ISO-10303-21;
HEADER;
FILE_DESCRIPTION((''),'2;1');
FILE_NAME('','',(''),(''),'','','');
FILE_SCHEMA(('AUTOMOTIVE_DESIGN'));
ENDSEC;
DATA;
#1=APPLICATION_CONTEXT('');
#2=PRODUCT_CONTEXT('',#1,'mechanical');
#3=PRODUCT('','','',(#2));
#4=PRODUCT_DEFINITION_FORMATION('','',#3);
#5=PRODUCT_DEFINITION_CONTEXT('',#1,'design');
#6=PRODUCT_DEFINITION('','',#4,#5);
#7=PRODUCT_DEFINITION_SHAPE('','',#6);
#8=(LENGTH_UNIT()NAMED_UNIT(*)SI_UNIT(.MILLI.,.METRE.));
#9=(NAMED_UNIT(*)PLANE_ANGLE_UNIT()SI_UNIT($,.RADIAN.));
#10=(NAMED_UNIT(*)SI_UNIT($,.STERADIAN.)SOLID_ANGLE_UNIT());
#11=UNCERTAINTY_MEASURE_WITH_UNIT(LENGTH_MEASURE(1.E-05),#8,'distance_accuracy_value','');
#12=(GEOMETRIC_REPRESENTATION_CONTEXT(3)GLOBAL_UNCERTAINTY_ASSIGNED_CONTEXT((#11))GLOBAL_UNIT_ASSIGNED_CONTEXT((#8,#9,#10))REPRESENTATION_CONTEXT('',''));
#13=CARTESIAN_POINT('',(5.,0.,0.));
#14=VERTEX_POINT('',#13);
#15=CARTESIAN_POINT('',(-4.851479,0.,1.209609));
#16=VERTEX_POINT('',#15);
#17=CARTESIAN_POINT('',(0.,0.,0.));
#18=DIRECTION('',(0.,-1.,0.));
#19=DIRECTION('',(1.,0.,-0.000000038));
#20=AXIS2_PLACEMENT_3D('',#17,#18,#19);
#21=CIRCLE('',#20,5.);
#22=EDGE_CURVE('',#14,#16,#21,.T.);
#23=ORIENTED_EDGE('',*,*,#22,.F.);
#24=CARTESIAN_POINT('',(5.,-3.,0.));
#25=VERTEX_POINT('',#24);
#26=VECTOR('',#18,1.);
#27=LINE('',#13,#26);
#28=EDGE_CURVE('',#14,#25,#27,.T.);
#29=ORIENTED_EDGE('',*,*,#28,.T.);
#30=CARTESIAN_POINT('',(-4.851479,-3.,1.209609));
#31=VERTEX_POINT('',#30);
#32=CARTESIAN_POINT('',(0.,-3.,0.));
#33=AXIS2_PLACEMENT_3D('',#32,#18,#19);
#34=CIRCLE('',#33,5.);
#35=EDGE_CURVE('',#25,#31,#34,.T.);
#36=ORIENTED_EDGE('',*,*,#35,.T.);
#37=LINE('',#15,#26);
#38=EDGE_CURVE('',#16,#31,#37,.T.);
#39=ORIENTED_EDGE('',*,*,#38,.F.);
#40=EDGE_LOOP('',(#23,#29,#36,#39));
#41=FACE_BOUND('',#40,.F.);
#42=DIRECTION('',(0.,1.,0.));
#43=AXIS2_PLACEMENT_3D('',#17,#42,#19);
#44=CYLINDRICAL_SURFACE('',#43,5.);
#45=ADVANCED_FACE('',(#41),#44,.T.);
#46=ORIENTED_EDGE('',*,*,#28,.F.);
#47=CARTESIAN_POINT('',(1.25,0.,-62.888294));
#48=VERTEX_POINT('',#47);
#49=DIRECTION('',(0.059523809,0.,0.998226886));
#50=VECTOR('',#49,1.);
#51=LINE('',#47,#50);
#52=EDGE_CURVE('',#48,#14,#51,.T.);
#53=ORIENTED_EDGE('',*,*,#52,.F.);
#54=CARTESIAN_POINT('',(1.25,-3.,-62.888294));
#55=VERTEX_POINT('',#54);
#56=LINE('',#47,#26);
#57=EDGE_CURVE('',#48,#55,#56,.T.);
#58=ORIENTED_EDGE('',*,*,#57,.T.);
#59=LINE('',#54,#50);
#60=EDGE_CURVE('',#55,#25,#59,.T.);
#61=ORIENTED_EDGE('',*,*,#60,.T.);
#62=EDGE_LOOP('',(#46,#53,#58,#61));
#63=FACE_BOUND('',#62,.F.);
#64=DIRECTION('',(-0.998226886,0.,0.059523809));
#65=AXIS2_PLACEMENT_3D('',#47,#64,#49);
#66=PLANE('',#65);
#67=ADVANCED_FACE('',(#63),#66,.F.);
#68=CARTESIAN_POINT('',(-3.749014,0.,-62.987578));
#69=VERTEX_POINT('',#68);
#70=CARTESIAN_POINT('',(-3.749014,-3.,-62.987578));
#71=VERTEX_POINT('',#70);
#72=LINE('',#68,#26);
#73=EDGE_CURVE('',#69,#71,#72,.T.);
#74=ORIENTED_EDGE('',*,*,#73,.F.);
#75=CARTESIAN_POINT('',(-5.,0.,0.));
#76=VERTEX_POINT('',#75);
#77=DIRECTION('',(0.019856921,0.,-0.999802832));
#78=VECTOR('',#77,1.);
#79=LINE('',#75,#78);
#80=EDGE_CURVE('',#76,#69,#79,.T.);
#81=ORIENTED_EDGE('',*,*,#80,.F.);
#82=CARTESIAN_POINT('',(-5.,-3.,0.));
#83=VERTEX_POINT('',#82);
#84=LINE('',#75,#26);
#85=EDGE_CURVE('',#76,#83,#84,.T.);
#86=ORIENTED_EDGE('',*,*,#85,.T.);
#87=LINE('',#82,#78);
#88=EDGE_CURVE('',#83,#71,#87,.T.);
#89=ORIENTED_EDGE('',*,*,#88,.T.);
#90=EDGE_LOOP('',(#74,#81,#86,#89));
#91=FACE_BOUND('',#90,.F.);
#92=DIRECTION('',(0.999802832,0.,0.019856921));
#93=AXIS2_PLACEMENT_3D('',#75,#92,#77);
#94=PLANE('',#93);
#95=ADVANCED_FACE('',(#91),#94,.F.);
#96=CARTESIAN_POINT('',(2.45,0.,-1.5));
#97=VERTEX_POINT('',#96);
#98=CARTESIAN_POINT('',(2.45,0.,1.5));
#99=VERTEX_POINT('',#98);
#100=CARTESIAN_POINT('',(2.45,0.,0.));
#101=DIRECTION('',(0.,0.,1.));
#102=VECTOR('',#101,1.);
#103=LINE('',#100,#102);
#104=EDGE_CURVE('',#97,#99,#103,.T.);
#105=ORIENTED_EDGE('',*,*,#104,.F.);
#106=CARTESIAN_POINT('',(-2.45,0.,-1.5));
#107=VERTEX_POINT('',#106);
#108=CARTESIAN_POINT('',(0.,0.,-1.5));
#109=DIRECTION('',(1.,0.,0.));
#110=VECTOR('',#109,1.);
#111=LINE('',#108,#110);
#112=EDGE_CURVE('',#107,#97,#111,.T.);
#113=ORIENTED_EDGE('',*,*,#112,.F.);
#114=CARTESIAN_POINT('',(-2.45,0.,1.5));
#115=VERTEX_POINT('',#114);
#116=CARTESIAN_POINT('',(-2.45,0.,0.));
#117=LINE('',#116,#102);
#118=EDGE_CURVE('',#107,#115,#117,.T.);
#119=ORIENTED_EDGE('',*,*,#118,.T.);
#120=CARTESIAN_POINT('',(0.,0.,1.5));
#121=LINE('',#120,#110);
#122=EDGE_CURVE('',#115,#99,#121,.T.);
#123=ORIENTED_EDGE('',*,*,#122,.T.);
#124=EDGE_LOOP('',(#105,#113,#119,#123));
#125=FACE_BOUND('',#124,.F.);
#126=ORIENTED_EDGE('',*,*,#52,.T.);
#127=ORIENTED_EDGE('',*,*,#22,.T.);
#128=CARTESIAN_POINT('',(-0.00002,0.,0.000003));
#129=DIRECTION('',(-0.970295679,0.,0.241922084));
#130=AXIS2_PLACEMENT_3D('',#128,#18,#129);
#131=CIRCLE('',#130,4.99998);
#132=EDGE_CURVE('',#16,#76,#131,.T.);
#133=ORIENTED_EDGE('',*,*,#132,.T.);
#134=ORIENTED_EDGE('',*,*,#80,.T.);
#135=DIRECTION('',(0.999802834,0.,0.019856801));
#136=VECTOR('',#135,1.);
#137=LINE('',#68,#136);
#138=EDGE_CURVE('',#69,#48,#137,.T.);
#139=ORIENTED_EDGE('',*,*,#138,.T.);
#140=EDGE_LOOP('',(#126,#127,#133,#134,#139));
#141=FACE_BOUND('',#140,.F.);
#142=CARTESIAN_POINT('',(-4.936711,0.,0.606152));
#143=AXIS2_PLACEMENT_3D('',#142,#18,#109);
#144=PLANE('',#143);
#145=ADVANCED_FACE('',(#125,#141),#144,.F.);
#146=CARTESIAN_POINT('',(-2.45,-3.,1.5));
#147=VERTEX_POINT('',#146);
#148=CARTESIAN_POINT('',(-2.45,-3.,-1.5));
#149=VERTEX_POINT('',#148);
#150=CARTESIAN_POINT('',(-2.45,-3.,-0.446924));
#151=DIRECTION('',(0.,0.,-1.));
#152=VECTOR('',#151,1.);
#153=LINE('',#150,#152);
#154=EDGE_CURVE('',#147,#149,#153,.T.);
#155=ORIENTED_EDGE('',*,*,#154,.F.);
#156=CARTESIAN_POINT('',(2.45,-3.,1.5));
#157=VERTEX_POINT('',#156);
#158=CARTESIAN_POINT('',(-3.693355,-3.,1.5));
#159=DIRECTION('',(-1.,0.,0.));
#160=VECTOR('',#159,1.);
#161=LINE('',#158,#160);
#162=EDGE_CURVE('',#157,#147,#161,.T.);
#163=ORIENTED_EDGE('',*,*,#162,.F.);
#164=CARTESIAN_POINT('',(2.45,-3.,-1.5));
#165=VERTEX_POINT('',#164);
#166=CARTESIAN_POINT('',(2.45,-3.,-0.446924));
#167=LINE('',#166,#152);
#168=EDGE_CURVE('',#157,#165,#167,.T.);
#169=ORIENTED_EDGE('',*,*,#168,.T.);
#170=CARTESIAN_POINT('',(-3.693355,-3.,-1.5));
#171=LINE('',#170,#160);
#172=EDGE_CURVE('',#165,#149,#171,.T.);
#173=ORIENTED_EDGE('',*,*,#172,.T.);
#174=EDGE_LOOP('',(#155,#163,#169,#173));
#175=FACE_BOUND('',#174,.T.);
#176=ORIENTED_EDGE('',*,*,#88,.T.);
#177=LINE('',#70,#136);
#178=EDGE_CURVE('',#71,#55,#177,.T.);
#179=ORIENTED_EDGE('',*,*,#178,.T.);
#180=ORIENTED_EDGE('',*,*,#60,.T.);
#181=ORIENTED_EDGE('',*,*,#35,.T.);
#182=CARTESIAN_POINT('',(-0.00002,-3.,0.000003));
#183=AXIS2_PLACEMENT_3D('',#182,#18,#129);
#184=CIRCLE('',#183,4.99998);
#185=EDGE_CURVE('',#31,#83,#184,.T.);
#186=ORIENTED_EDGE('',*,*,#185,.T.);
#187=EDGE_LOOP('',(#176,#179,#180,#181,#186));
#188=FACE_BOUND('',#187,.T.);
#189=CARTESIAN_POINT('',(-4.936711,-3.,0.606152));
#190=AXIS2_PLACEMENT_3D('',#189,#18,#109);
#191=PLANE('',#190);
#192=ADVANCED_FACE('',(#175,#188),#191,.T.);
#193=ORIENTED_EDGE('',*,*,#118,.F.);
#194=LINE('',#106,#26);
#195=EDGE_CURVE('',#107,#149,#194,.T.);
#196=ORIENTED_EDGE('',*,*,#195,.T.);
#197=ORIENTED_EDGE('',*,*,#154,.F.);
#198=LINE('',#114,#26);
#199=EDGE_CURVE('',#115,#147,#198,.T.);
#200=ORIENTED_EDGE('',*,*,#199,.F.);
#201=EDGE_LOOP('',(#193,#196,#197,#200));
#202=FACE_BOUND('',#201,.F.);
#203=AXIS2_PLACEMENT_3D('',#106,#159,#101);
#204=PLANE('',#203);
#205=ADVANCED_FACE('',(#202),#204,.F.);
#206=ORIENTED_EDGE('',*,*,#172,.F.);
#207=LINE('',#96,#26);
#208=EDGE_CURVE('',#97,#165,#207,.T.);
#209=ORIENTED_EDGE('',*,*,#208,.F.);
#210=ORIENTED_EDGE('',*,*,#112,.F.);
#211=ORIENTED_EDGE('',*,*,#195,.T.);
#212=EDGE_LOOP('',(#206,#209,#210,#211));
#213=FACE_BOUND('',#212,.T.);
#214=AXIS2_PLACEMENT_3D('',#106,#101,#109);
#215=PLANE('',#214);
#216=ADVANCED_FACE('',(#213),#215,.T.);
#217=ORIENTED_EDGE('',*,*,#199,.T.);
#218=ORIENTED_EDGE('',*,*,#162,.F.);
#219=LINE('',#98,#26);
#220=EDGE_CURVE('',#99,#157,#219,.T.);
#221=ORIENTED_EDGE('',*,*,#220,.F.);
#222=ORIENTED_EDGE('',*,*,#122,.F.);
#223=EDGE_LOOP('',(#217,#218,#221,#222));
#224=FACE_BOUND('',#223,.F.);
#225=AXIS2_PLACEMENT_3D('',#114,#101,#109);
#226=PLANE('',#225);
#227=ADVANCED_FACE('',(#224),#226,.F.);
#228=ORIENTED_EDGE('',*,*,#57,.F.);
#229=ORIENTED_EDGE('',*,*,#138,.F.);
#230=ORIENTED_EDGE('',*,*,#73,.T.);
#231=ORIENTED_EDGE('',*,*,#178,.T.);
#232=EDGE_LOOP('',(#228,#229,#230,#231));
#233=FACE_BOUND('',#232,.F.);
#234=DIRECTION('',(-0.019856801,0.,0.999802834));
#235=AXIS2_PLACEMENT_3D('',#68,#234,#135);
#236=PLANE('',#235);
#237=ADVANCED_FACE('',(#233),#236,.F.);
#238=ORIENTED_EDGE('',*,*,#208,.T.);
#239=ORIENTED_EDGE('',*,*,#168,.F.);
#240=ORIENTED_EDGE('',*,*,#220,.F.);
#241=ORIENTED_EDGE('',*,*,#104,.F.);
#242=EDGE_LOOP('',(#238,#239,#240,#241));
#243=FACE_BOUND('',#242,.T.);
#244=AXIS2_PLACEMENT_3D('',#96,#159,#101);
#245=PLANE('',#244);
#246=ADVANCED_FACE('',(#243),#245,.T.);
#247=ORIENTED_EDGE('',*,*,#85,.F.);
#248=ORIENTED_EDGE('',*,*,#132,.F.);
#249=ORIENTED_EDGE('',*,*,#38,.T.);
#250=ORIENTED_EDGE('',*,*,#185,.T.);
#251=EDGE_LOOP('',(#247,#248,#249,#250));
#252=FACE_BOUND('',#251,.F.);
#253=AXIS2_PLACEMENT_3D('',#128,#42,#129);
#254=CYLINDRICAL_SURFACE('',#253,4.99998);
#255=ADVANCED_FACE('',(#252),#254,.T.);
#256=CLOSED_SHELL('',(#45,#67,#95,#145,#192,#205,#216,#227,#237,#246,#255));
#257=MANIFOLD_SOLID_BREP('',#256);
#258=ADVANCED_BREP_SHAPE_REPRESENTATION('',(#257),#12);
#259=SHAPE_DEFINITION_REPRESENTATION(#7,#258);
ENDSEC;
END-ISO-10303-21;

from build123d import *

# Parameters (mm, degrees)
F1_DEPTH = 3
F2_W     = 4.9
F2_H     = 3
F3_DEPTH = 25


with BuildPart() as f1:
    # F0 (on Front) → F1 (new body)
    with BuildSketch(Plane.XZ):
        with BuildLine():
            Line((-5, 0), (-4.851479, 1.209609))
            ThreePointArc((-4.851479, 1.209609), (-4.962731, 0.609347), (-5, 0))
        make_face()
        with BuildLine():
            Line((-5, 0), (5, 0))
            ThreePointArc((5, 0), (0.609347, 4.962731), (-4.851479, 1.209609))
            Line((-4.851479, 1.209609), (-5, 0))
        make_face()
        Polygon((1.25, -62.888294), (5, 0), (-5, 0), (-3.749014, -62.987578), align=None)
    extrude(amount=F1_DEPTH)

    # F2 (on Front) → F3 (cut)
    with BuildSketch(Plane.XZ):
        Rectangle(F2_W, F2_H)
    extrude(amount=F3_DEPTH, mode=Mode.SUBTRACT)


solid = f1.part
